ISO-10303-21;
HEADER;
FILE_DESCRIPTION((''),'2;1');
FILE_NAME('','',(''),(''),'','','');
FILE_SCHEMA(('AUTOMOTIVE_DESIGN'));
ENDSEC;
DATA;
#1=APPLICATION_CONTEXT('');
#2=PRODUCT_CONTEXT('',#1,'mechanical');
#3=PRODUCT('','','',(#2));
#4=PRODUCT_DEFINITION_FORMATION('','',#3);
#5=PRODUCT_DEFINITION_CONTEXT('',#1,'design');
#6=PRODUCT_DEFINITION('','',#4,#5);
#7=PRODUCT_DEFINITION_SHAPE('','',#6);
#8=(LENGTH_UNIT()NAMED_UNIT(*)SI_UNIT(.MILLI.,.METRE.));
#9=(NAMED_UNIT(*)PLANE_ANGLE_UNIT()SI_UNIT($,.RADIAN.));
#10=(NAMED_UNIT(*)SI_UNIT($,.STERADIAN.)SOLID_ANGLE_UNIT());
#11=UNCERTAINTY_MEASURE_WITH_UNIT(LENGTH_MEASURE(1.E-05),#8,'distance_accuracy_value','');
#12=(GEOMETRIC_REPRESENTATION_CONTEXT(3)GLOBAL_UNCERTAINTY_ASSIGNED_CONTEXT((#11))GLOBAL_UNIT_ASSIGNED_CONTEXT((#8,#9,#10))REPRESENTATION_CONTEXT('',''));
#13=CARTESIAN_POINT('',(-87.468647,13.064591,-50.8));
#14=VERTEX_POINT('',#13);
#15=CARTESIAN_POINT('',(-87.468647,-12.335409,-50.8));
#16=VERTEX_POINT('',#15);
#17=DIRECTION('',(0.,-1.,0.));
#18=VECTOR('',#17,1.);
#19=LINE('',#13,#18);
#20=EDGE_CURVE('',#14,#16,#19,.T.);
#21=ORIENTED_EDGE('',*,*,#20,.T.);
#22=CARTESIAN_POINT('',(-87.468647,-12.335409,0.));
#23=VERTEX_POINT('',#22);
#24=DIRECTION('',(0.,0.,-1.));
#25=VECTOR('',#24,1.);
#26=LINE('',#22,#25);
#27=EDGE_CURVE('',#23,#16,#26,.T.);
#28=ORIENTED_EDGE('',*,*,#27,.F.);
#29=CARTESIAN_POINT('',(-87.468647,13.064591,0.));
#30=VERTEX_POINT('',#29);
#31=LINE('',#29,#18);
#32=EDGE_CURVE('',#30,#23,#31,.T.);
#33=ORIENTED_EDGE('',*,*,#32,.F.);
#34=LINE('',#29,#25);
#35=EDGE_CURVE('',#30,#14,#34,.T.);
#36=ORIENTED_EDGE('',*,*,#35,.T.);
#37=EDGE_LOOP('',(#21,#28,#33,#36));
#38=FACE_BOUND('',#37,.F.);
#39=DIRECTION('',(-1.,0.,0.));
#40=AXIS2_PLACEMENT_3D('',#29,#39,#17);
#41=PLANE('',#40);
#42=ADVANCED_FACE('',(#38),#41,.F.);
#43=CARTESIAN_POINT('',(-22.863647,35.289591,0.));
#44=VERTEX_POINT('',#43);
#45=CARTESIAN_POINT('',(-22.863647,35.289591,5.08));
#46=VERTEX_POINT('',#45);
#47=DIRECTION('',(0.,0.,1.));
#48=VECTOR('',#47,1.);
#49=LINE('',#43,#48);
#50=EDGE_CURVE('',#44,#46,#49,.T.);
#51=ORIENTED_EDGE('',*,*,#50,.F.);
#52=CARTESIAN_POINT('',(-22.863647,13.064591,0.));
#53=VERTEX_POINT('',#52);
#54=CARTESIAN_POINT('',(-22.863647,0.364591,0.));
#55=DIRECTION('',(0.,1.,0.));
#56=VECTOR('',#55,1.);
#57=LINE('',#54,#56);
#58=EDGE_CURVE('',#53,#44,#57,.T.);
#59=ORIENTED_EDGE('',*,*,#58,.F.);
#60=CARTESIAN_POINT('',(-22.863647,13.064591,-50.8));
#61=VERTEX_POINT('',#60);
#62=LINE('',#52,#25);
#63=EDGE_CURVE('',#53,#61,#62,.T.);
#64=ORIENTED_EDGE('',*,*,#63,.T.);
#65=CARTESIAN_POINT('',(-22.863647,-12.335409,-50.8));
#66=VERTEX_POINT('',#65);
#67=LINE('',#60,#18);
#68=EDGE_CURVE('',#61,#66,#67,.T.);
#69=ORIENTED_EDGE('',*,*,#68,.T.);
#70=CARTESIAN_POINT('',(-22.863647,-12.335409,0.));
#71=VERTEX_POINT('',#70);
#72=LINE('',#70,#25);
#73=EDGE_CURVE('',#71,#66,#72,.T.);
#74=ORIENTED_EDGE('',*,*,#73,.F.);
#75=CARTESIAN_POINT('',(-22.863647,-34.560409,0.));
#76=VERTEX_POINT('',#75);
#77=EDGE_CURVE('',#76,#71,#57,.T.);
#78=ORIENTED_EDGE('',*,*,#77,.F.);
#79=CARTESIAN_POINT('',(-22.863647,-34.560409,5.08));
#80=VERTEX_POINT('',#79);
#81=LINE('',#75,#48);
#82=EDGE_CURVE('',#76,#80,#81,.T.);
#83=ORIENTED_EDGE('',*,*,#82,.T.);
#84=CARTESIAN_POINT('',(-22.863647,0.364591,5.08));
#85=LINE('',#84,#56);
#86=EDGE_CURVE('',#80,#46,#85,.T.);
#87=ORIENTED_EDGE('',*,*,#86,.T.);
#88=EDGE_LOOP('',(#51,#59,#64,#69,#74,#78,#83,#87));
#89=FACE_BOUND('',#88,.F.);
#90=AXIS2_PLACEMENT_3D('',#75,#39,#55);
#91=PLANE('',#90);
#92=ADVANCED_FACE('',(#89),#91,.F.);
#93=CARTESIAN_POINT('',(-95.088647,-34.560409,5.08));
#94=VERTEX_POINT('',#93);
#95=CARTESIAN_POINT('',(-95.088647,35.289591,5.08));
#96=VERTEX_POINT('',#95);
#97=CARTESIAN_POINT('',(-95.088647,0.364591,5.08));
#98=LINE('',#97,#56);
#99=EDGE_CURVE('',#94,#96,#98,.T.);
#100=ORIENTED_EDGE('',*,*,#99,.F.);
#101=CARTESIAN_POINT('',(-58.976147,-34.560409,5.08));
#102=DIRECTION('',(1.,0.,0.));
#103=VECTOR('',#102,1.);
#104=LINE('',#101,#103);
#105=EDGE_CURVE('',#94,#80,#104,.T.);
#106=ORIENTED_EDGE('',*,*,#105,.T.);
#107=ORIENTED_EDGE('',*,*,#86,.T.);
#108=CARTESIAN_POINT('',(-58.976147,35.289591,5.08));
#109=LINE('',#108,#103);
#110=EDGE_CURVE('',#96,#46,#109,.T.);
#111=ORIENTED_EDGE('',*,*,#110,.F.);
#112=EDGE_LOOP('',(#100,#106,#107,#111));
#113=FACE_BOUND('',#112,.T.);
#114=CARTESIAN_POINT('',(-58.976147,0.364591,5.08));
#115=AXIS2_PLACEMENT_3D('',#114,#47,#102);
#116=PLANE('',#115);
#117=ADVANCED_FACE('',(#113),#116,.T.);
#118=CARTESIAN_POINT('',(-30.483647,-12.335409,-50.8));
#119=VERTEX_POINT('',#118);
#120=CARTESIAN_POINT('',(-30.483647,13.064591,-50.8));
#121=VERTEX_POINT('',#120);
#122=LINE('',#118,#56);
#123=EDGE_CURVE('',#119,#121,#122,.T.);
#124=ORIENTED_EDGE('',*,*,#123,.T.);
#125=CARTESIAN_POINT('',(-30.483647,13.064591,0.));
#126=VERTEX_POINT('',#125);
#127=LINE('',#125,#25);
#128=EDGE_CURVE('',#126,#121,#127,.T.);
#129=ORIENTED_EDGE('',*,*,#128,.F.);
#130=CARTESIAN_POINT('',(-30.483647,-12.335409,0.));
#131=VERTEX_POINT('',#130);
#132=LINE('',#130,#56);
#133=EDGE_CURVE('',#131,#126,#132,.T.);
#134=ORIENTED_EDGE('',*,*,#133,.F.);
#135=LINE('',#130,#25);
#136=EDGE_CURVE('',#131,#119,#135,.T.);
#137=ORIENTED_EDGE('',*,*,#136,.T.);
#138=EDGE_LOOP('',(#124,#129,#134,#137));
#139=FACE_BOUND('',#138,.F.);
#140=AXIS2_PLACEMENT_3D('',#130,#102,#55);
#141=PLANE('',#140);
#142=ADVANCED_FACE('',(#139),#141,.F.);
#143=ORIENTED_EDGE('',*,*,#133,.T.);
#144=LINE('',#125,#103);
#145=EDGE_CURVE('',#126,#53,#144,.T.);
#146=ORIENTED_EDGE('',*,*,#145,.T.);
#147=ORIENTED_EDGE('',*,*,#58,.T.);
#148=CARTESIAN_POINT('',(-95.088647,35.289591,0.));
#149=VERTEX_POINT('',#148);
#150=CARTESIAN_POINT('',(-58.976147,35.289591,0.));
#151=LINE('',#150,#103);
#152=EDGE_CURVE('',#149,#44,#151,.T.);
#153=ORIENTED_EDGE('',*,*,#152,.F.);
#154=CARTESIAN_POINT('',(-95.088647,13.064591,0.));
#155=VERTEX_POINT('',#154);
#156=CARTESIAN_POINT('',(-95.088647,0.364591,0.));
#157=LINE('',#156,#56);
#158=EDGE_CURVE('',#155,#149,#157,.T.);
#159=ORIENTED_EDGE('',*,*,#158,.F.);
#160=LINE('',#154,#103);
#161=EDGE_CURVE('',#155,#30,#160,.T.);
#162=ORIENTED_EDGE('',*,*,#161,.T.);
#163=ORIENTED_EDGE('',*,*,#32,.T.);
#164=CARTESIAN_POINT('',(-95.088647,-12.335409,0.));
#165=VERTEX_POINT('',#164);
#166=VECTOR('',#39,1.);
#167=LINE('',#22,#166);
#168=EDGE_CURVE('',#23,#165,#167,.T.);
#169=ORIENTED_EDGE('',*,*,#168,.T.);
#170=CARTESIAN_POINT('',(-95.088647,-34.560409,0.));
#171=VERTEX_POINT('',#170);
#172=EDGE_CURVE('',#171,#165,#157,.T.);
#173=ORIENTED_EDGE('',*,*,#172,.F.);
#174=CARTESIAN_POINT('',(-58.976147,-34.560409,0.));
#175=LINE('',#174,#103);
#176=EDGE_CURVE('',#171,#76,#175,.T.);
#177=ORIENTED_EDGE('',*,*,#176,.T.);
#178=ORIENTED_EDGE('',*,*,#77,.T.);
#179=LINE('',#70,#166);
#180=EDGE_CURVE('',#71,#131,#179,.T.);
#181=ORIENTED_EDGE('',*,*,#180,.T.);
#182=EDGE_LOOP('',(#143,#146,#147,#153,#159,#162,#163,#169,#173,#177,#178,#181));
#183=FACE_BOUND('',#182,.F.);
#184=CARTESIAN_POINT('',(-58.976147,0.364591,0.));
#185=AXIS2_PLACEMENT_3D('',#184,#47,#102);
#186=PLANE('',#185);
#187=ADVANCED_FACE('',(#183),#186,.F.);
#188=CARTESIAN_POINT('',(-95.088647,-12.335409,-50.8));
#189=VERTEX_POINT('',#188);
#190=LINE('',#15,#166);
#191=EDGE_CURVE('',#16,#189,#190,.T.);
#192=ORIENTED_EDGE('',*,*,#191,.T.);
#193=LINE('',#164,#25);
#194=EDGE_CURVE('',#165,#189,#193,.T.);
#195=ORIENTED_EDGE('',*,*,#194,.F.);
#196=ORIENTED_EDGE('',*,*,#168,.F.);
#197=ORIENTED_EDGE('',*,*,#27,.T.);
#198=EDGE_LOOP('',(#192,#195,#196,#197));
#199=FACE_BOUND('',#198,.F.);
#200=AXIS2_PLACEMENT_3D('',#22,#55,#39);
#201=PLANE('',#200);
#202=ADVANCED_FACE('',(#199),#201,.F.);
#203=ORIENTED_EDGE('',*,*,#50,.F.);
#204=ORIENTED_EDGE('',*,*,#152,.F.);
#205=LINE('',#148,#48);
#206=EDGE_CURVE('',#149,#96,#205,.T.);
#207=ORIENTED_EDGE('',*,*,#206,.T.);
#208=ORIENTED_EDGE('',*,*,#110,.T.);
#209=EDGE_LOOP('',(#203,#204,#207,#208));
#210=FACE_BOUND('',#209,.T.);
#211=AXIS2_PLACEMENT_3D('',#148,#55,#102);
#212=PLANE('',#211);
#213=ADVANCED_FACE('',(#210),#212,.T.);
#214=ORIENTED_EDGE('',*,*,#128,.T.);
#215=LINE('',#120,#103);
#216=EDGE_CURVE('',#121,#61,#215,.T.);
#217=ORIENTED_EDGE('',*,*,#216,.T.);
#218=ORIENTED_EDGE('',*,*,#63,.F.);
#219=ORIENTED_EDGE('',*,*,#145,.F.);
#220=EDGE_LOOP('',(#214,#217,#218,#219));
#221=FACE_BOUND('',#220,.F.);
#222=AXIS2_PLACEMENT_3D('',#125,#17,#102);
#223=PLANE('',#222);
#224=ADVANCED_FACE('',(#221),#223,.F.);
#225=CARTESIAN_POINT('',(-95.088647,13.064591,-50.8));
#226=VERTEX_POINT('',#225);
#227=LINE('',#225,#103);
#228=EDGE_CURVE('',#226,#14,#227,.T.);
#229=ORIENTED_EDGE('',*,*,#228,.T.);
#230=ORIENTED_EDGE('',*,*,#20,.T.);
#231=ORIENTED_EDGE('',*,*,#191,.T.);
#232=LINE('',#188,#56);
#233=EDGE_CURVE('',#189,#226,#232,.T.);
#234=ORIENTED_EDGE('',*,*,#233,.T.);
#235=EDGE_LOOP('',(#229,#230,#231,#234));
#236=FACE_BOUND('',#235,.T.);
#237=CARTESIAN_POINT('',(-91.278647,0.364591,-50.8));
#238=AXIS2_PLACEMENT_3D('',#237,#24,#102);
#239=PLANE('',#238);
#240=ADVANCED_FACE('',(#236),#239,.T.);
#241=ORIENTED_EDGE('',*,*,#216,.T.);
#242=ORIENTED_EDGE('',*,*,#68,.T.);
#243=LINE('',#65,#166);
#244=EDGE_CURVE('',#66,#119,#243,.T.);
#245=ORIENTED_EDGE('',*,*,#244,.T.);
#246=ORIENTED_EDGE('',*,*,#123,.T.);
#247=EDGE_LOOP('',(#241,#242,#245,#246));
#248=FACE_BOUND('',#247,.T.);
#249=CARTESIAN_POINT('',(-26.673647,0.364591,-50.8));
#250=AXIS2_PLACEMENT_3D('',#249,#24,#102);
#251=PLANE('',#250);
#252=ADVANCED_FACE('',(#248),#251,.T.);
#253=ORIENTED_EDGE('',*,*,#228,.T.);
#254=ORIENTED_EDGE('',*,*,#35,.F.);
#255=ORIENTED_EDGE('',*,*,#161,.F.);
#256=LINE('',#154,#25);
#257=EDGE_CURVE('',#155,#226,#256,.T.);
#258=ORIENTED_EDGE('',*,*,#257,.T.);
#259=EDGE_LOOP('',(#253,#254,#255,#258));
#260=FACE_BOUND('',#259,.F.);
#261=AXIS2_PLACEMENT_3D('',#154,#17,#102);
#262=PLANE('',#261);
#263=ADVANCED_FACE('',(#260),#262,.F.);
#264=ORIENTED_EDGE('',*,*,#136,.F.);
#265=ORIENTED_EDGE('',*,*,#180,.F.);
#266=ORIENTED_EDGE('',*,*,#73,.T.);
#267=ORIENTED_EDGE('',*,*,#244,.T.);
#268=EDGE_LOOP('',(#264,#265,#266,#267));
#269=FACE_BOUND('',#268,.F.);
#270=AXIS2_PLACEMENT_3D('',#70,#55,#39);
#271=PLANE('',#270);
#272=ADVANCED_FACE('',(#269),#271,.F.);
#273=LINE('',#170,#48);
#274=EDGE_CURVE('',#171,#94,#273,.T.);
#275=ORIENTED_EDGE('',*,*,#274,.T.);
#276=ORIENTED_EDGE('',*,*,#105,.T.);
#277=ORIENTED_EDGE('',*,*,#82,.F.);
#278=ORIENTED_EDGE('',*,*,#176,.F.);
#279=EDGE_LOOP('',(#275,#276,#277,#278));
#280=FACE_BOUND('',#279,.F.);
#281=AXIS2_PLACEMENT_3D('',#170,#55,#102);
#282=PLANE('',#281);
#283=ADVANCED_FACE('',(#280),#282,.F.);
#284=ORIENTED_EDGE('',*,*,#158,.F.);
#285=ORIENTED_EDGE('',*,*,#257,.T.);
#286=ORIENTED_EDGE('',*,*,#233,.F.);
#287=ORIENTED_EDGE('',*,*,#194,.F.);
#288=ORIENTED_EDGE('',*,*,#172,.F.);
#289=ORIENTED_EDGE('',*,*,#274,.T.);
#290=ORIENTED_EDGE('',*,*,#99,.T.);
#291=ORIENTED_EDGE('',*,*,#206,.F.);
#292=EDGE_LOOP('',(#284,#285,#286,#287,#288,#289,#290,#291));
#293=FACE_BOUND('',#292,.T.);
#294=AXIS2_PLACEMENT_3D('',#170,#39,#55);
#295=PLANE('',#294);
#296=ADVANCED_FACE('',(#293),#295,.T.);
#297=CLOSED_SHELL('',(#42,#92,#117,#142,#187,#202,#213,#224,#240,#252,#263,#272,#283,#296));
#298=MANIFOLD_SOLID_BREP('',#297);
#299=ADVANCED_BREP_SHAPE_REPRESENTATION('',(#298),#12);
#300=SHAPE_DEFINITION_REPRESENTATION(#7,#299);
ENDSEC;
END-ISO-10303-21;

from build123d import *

# Parameters (mm, degrees)
F0_W     = 72.225
F0_H     = 69.85
F1_DEPTH = 5.08
F3_DEPTH = 50.8


with BuildPart() as f1:
    # F0 (on Top) → F1 (new body)
    with BuildSketch(Plane.XY):
        with Locations((-58.976147, 0.364591)):
            Rectangle(F0_W, F0_H)
    extrude(amount=F1_DEPTH)

    # F2 (on face) → F3 (join)
    with BuildSketch(Plane(origin=(0, 0, 0), x_dir=(1, 0, 0), z_dir=(0, 0, -1))):
        Polygon((-95.088647, 12.335409), (-95.088647, -0.364591), (-95.088647, -13.064591), (-87.468647, -13.064591), (-87.468647, 12.335409), align=None)
        Polygon((-22.863647, -0.364591), (-22.863647, 12.335409), (-30.483647, 12.335409), (-30.483647, -13.064591), (-22.863647, -13.064591), align=None)
    extrude(amount=F3_DEPTH)


solid = f1.part
